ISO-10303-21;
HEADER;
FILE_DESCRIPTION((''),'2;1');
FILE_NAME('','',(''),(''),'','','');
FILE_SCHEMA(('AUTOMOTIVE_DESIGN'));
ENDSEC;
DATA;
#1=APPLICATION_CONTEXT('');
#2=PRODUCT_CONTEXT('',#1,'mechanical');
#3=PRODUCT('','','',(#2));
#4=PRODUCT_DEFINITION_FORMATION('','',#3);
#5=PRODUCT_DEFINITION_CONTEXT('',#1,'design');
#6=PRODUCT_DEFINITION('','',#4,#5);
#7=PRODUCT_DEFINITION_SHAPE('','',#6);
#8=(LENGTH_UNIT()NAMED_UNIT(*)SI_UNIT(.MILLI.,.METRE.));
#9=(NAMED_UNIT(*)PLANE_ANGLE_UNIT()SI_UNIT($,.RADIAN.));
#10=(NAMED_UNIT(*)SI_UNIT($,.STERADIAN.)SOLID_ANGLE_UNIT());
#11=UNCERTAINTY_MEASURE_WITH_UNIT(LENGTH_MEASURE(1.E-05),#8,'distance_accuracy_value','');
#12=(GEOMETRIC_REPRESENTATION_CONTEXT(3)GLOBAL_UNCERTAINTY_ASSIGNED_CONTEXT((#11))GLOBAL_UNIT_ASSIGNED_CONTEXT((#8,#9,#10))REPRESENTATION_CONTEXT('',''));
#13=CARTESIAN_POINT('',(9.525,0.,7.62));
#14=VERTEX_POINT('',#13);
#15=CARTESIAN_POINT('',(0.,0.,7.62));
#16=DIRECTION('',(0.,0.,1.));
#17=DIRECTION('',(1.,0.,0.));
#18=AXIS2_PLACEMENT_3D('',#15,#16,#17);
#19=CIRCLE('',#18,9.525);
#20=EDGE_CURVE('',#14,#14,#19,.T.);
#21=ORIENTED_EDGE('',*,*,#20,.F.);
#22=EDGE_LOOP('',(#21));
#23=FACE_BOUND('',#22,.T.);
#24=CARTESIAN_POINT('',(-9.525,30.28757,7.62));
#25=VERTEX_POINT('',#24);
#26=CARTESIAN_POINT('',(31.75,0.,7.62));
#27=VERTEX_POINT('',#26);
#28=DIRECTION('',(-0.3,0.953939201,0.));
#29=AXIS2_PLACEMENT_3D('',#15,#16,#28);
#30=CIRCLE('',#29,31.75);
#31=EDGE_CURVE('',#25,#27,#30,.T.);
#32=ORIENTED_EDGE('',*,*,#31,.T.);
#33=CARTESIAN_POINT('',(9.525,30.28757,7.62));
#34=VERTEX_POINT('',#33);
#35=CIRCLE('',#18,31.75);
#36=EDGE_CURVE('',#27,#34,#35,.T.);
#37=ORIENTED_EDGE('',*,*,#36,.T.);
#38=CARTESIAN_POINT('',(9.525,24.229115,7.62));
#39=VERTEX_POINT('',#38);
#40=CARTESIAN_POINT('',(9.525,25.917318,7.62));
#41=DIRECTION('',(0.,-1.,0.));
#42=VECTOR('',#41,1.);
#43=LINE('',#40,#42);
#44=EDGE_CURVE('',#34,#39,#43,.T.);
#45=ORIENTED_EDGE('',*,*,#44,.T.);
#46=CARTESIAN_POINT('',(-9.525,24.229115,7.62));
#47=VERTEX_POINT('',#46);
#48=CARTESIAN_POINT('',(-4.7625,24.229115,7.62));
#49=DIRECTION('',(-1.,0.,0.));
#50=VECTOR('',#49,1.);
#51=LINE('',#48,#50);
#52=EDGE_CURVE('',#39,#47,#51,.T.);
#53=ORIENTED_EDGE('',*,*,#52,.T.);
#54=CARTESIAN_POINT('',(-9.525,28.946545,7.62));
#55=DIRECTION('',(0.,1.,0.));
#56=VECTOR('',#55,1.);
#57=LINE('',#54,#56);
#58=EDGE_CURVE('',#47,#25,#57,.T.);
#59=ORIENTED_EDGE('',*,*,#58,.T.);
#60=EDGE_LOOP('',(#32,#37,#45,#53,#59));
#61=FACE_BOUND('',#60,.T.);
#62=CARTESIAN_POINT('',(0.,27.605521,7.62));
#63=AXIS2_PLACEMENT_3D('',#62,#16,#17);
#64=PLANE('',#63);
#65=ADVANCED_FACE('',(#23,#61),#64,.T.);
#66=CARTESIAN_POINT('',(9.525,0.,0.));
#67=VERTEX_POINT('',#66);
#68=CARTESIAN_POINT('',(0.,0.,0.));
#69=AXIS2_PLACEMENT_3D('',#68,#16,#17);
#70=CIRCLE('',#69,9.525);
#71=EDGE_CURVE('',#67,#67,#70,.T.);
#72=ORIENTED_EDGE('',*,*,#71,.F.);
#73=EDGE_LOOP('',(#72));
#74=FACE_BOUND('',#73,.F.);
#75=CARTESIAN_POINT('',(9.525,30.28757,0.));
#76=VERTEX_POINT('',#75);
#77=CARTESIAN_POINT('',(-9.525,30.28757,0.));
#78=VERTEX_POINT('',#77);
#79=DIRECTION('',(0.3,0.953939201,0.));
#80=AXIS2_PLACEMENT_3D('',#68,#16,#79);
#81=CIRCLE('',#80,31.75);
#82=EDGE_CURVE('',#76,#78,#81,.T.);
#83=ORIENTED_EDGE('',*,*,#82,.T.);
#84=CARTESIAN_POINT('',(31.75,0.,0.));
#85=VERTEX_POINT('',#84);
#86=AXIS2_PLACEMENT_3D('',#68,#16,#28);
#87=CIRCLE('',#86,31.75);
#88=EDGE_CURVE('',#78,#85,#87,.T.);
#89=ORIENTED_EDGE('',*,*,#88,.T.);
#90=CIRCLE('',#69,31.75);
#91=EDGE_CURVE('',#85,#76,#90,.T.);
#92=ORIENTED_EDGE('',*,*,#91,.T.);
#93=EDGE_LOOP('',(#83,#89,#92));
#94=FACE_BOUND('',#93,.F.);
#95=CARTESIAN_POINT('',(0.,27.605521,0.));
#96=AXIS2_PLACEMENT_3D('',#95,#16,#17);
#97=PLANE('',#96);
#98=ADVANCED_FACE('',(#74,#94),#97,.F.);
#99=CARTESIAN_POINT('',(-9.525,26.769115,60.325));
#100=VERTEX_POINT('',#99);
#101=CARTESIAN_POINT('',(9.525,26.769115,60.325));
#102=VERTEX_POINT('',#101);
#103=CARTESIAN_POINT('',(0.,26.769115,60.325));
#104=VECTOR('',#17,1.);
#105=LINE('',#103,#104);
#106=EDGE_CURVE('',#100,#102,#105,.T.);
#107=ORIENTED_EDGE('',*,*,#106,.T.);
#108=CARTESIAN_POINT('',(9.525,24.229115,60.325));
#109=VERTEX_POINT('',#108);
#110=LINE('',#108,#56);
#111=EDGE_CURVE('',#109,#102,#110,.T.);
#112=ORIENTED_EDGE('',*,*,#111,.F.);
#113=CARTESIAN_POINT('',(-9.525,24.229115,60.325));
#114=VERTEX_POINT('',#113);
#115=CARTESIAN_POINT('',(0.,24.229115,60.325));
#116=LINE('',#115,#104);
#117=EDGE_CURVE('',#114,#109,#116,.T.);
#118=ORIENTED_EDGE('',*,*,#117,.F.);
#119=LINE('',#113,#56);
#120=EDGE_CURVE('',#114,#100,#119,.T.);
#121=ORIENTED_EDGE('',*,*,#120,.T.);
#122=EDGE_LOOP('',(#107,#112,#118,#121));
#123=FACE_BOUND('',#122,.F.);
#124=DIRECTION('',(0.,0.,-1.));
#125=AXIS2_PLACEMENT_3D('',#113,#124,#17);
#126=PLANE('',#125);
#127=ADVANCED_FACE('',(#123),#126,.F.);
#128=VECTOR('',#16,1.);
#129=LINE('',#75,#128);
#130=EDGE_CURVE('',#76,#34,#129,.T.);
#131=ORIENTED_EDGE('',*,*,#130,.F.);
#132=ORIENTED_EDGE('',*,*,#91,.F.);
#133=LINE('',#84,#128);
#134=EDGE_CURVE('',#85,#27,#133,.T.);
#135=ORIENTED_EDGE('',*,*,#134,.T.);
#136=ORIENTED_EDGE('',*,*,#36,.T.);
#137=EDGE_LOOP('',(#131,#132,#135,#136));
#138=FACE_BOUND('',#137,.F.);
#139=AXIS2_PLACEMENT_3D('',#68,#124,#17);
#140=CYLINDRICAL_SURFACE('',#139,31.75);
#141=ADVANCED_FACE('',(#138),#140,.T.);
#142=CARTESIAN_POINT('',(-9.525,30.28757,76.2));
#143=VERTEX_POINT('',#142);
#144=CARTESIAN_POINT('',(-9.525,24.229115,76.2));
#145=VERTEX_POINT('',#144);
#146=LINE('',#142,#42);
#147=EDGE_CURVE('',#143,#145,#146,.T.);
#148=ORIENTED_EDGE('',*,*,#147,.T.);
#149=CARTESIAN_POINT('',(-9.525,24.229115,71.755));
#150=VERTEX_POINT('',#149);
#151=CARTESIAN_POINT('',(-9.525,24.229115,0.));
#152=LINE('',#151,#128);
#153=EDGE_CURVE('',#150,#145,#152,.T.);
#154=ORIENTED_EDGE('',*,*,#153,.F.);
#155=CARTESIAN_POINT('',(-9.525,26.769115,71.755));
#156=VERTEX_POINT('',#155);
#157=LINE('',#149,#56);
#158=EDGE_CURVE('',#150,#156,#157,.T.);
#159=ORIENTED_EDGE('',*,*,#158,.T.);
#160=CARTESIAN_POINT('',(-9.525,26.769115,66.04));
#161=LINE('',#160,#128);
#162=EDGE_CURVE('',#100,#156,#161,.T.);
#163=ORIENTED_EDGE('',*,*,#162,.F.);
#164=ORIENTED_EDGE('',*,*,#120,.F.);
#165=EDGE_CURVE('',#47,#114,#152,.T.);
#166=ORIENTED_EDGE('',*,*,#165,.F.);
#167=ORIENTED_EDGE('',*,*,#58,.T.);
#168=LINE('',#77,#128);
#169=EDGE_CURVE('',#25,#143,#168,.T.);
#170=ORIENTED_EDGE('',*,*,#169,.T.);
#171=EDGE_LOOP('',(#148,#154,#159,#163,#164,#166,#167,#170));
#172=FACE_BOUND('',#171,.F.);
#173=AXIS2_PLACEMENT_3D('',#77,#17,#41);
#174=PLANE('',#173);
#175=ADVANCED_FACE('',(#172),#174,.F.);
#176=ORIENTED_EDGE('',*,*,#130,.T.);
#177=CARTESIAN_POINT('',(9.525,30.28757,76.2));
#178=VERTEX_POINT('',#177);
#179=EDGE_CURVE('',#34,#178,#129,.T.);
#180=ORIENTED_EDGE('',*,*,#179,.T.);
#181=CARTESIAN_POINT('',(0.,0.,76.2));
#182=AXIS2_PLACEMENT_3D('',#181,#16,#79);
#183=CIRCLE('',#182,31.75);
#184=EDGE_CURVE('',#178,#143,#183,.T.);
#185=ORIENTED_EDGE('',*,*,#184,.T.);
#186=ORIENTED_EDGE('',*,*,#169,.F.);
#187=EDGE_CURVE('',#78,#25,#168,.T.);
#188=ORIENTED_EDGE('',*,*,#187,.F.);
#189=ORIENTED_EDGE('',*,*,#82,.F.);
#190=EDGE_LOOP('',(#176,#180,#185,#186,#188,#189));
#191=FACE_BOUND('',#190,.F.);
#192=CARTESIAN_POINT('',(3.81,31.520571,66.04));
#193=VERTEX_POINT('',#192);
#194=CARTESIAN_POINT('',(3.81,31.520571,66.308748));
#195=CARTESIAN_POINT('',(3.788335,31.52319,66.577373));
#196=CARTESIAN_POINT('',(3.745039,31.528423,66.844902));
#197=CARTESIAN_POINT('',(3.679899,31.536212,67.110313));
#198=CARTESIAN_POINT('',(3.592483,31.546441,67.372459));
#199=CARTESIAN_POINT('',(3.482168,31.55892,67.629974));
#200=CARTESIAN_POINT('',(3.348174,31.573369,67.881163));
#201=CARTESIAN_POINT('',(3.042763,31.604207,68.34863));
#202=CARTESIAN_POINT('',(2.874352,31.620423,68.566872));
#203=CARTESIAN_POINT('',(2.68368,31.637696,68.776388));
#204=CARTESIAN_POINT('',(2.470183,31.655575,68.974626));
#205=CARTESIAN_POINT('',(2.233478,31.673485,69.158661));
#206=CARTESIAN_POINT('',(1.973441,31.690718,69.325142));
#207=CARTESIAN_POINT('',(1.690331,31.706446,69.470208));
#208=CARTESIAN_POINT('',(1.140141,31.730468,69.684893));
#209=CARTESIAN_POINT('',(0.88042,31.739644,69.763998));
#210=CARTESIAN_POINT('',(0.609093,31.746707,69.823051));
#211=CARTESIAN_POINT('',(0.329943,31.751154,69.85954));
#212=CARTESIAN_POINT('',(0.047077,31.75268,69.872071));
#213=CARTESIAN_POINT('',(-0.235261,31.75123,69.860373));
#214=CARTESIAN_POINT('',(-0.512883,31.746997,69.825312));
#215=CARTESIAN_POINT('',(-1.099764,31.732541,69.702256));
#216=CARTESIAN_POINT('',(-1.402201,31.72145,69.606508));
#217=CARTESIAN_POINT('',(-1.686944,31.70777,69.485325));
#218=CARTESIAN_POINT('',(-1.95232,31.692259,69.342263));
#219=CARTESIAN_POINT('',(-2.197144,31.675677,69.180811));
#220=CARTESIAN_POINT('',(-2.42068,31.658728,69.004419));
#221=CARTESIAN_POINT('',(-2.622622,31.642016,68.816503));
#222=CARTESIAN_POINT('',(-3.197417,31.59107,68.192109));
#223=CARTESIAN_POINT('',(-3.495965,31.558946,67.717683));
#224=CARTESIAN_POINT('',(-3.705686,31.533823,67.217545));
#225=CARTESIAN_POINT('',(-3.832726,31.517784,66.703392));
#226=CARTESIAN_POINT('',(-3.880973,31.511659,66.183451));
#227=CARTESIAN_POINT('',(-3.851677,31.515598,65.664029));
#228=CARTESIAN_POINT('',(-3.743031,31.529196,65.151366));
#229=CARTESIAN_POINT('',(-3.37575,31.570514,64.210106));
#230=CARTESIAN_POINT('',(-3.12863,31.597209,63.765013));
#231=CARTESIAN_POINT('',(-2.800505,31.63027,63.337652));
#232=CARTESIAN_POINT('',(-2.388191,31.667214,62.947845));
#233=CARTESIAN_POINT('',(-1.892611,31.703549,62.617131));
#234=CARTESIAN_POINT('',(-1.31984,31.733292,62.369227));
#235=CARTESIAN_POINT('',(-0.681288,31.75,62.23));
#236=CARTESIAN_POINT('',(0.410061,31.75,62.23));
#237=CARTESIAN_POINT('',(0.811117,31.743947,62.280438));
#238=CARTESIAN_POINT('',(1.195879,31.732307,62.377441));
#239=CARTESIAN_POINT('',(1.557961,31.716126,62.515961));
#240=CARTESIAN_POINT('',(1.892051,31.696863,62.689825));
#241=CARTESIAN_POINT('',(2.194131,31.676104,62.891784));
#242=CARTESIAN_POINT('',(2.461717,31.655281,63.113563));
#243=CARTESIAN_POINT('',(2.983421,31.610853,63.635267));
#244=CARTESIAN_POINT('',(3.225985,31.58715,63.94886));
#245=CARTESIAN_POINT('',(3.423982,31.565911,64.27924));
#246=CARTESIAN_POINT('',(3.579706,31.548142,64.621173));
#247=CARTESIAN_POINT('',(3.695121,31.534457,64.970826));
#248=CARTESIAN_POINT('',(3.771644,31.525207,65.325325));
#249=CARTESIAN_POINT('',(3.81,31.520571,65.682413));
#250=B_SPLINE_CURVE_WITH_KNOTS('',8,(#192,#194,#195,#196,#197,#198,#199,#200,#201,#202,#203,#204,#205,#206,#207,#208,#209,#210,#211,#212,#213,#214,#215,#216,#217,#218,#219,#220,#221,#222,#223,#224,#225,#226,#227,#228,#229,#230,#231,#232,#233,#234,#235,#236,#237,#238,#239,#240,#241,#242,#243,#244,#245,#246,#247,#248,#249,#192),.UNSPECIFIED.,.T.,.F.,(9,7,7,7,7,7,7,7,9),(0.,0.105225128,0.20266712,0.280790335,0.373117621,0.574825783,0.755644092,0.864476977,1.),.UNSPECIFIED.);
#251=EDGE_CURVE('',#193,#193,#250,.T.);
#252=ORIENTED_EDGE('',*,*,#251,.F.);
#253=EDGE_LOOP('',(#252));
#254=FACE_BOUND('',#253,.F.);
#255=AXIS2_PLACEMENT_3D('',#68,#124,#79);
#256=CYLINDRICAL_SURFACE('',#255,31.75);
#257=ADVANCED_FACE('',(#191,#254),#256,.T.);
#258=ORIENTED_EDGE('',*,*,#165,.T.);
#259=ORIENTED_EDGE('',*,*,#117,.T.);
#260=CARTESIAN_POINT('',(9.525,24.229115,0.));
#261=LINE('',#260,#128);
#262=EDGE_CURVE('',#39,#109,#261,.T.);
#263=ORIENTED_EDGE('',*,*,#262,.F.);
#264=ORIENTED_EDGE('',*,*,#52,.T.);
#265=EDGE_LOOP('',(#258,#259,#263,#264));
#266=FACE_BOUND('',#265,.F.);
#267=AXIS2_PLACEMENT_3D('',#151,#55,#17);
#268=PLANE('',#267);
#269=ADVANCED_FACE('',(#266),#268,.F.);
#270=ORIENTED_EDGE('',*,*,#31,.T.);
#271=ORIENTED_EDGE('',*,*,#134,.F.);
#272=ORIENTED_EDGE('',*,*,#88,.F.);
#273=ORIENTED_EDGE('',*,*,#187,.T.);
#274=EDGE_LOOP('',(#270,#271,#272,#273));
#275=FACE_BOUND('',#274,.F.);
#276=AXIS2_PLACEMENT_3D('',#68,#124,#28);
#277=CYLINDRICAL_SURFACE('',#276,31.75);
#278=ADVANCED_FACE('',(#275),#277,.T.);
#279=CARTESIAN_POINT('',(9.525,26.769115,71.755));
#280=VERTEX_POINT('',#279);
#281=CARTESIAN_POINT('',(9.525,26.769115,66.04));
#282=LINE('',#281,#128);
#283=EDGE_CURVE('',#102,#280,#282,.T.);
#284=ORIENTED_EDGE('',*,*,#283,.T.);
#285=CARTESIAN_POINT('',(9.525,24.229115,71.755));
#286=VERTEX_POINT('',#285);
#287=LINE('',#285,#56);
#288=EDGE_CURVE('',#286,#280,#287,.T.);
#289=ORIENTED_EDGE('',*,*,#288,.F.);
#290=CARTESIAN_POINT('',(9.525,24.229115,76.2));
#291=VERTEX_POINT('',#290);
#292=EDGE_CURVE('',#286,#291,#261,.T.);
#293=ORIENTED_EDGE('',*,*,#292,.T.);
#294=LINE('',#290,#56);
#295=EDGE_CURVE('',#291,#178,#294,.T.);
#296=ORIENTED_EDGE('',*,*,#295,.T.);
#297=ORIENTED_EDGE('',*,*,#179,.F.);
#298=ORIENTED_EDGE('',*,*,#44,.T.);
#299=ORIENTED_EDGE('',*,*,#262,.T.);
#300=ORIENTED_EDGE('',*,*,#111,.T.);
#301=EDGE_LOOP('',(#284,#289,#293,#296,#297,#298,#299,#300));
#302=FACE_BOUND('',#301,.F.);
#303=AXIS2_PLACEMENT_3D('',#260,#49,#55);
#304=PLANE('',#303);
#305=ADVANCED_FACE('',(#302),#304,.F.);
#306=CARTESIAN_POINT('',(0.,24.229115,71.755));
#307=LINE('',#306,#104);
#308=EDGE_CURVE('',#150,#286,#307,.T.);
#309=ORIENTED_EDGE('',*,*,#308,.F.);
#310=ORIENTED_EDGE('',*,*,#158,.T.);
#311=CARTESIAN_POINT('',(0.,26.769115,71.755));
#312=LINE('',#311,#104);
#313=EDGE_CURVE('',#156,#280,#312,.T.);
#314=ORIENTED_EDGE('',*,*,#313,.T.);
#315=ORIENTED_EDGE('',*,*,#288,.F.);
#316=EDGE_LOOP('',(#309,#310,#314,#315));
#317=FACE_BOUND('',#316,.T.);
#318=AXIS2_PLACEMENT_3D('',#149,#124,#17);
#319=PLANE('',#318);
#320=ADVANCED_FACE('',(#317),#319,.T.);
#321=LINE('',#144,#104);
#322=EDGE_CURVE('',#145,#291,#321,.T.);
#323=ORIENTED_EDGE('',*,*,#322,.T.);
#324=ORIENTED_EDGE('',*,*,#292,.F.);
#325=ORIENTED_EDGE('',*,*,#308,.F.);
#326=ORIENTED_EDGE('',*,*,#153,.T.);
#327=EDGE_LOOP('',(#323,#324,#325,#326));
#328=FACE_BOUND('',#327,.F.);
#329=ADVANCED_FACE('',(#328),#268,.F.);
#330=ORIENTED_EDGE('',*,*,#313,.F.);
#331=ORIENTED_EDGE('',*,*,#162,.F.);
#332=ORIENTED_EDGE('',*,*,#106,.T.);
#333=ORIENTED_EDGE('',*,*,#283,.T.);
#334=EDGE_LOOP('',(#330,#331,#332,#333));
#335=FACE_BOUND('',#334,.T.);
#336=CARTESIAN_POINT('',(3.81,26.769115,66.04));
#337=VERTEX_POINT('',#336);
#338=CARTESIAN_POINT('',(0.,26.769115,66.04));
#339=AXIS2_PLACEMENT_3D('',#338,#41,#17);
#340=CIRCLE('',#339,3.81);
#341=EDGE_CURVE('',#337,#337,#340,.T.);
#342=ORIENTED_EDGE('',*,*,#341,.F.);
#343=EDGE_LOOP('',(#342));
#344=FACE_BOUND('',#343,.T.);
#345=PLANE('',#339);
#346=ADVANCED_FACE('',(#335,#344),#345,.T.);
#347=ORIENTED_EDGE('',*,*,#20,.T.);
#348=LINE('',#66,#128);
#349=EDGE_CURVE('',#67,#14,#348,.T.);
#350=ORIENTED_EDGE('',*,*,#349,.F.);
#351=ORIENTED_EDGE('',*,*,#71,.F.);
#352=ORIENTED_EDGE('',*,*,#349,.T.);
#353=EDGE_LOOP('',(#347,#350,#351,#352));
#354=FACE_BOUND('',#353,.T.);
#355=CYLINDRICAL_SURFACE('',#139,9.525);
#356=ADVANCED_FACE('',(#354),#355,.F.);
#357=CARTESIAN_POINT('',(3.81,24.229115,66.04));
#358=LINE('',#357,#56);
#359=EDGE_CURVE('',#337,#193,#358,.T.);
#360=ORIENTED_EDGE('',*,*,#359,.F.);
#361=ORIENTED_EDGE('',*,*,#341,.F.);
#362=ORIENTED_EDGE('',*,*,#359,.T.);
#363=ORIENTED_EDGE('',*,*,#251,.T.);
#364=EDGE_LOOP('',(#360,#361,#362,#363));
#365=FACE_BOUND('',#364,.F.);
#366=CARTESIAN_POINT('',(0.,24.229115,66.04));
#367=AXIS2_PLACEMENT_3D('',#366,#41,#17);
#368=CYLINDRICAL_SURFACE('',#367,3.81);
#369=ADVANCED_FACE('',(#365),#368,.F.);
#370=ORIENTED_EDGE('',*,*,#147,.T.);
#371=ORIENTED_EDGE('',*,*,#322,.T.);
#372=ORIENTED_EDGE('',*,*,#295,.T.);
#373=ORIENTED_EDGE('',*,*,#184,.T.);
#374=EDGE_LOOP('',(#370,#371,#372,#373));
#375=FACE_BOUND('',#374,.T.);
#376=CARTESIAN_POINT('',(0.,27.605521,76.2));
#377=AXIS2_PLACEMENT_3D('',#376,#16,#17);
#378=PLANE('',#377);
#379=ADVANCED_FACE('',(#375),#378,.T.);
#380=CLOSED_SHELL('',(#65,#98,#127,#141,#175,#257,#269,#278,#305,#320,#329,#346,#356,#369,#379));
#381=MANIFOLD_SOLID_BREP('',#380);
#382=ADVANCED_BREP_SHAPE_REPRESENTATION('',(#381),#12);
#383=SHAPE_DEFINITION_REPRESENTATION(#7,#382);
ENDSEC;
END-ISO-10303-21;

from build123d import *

# Parameters (mm, degrees)
F0_R     = 9.525
F0_W     = 19.05
F0_H     = 2.596250779
F1_DEPTH = 7.62
F2_DEPTH = 76.2
F3_R     = 3.81
F4_DEPTH = 25.4
F3_W     = 19.05
F3_H     = 11.43
F5_DEPTH = 2.54


with BuildPart() as f1:
    # F0 (on Top) → F1 (new body)
    with BuildSketch(Plane.XY):
        with BuildLine():
            Line((9.525, 24.2291148752), (9.525, 30.287569645))
            ThreePointArc((9.525, 30.287569645), (0, 31.75), (-9.525, 30.287569645))
            Line((-9.525, 30.287569645), (-9.525, 24.2291148752))
            Line((-9.525, 24.2291148752), (9.525, 24.2291148752))
        make_face()
        with BuildLine():
            ThreePointArc((-9.525, 30.287569645), (-18.7835533113, -25.5976683508), (31.75, 0))
            ThreePointArc((31.75, 0), (25.5976683508, 18.7835533113), (9.525, 30.287569645))
            Line((9.525, 30.287569645), (9.525, 24.2291148752))
            Line((9.525, 24.2291148752), (9.525, 21.6328640962))
            Line((9.525, 21.6328640962), (-9.525, 21.6328640962))
            Line((-9.525, 21.6328640962), (-9.525, 24.2291148752))
            Line((-9.525, 24.2291148752), (-9.525, 30.287569645))
        make_face()
        Circle(F0_R, mode=Mode.SUBTRACT)
        with Locations((0, 22.9309894857)):
            Rectangle(F0_W, F0_H)
    extrude(amount=F1_DEPTH)

    # F0 (on Top) → F2 (join)
    with BuildSketch(Plane.XY):
        with BuildLine():
            Line((9.525, 24.2291148752), (9.525, 30.287569645))
            ThreePointArc((9.525, 30.287569645), (0, 31.75), (-9.525, 30.287569645))
            Line((-9.525, 30.287569645), (-9.525, 24.2291148752))
            Line((-9.525, 24.2291148752), (9.525, 24.2291148752))
        make_face()
    extrude(amount=F2_DEPTH)

    # F3 (on face) → F4 (cut)
    with BuildSketch(Plane.XZ.offset(-24.2291148752)):
        with Locations((0, 66.04)):
            Circle(F3_R)
    extrude(amount=-F4_DEPTH, mode=Mode.SUBTRACT)

    # F3 (on face) → F5 (cut)
    with BuildSketch(Plane.XZ.offset(-24.2291148752)):
        with Locations((0, 66.04)):
            Rectangle(F3_W, F3_H)
        with Locations((0, 66.04)):
            Circle(F3_R, mode=Mode.SUBTRACT)
    extrude(amount=-F5_DEPTH, mode=Mode.SUBTRACT)


solid = f1.part
